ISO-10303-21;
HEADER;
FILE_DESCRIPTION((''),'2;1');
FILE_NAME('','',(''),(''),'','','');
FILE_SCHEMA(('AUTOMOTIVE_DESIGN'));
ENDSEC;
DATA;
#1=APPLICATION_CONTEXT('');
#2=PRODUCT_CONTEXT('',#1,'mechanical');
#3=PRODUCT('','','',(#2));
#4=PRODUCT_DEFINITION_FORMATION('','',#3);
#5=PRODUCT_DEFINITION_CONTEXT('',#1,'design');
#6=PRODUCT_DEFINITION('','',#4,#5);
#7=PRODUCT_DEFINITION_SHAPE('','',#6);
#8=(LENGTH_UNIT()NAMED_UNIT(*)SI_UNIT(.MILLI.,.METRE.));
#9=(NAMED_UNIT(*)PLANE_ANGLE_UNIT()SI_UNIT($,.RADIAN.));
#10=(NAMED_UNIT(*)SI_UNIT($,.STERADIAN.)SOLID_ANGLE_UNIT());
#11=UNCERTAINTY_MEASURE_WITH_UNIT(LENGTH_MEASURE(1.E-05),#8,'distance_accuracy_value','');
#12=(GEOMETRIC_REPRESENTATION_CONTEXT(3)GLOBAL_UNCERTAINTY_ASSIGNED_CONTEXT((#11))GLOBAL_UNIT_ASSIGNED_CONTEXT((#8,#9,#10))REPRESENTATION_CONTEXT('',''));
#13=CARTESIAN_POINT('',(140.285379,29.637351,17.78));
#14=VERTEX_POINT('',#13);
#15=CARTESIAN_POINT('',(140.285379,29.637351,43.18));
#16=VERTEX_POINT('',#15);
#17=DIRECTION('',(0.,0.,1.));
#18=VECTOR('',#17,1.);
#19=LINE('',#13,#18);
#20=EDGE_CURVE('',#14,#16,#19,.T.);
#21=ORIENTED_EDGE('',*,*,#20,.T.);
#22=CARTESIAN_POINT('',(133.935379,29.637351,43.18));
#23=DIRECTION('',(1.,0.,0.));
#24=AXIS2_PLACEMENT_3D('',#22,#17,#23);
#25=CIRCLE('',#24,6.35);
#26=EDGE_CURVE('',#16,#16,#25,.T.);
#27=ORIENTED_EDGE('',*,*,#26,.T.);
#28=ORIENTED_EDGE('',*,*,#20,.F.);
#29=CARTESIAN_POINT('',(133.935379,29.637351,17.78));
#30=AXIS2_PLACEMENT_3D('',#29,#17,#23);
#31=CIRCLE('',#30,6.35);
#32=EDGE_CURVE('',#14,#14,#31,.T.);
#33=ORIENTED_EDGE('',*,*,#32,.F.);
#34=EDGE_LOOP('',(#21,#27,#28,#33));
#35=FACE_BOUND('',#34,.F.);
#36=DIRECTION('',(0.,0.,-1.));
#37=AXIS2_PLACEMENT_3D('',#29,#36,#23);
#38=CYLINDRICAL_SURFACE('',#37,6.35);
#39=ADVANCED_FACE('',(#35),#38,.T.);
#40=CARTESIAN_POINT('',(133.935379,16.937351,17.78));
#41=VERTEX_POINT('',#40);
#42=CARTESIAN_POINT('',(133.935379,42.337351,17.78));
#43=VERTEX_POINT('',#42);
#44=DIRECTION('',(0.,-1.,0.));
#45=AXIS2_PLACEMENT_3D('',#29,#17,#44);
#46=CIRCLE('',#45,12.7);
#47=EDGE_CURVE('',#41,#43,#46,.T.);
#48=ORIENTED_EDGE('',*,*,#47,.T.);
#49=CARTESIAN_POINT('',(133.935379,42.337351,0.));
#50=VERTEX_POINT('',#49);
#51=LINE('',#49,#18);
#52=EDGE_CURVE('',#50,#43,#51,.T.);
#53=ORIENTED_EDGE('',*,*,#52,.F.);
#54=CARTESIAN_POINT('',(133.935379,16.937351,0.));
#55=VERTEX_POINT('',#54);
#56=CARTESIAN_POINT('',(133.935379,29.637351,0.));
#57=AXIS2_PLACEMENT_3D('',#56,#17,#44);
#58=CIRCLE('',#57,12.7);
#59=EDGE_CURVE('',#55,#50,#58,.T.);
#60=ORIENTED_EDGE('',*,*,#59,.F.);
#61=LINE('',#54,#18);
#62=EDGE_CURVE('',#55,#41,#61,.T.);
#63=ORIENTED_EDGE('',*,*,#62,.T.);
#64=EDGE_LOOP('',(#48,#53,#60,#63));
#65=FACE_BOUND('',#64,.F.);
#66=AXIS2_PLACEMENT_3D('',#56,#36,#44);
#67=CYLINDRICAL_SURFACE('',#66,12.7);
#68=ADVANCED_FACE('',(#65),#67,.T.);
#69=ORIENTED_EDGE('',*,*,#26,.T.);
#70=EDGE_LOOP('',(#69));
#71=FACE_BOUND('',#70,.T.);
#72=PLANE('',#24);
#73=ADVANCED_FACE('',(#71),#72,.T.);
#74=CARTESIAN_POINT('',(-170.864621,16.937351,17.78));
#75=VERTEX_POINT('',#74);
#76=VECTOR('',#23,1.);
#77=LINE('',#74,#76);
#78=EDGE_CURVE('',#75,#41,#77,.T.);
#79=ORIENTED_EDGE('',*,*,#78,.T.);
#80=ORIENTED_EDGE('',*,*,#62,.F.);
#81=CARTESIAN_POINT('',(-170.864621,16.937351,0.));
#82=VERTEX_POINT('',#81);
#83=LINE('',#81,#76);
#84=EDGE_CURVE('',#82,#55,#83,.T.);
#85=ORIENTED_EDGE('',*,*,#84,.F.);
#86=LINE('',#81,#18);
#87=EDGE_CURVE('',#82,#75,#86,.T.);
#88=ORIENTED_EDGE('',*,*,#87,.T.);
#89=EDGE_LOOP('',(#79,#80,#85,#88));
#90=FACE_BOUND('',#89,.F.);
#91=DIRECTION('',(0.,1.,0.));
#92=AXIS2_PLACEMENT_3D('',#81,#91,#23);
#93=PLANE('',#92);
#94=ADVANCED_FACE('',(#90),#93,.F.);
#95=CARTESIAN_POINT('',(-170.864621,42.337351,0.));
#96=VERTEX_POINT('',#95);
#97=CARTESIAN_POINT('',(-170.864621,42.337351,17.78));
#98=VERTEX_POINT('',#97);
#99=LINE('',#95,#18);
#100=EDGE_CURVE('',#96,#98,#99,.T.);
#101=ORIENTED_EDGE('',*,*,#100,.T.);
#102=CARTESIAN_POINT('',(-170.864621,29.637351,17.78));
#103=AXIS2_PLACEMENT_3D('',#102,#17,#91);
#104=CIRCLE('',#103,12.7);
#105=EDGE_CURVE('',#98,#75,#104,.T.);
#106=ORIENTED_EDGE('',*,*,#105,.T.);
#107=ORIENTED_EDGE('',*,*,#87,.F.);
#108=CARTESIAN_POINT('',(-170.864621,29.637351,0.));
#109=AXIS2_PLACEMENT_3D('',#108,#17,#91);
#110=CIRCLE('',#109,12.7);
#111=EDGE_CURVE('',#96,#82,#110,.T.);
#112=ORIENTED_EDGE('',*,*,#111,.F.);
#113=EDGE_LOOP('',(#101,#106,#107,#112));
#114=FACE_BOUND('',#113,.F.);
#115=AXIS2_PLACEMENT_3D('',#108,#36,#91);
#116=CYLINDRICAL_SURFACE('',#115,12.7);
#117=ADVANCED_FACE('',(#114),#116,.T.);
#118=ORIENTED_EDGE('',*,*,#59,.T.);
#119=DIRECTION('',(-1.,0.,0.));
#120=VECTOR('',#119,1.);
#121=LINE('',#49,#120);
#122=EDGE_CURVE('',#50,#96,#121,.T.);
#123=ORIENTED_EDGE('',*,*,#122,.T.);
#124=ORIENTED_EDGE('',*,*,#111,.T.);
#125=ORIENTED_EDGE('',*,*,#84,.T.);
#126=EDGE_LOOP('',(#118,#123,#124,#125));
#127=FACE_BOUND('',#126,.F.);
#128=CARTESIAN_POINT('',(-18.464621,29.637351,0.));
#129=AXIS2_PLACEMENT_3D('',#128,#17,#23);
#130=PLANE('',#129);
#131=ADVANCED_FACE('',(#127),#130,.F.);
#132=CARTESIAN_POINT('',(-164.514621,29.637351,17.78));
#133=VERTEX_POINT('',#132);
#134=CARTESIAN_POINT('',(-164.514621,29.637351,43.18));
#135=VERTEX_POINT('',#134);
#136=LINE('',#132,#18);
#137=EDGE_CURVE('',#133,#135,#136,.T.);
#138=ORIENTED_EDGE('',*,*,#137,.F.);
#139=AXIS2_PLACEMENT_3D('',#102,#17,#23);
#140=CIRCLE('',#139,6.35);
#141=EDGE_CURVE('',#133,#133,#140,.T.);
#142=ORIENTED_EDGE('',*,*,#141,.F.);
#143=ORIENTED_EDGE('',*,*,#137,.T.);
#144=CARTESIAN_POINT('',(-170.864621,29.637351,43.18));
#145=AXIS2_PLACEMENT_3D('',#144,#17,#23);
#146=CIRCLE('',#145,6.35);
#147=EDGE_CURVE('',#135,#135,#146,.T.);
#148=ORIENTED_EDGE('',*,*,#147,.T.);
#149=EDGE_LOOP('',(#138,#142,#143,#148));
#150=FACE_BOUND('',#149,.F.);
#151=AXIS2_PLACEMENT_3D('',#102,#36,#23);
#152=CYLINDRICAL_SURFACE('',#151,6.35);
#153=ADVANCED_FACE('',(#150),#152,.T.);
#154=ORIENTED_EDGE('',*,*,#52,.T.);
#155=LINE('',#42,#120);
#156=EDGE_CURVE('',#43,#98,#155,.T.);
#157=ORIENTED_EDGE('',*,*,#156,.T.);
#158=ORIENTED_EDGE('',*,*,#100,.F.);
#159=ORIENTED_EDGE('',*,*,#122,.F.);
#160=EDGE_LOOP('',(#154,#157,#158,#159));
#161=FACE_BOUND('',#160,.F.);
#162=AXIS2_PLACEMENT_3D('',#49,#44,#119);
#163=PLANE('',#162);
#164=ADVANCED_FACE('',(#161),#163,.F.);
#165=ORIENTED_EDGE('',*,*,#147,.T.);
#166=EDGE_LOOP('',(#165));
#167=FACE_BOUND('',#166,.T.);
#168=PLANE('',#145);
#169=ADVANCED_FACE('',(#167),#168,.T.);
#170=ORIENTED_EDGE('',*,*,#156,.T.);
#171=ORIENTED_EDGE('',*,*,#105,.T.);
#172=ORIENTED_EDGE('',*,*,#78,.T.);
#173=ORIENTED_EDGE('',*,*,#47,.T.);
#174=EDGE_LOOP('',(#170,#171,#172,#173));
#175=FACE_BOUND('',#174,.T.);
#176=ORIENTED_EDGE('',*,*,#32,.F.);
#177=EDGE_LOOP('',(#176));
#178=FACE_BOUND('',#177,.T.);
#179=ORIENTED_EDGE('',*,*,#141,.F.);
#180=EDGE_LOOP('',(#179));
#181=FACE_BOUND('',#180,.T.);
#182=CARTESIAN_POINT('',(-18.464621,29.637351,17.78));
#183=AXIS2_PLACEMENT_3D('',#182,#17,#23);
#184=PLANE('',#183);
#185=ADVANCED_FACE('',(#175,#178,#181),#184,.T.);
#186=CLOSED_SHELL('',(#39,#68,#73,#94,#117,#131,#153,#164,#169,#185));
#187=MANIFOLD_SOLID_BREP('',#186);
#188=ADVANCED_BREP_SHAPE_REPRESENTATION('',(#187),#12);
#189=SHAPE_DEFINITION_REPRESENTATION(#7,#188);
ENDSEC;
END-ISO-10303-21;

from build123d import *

# Parameters (mm, degrees)
F1_DEPTH = 17.78
F2_R     = 6.35
F3_DEPTH = 25.4


with BuildPart() as f1:
    # F0 (on Top) → F1 (new body)
    with BuildSketch(Plane.XY):
        with BuildLine():
            Line((133.935379, 42.337351), (-170.864621, 42.337351))
            ThreePointArc((-170.864621, 42.337351), (-183.564621, 29.637351), (-170.864621, 16.937351))
            Line((-170.864621, 16.937351), (133.935379, 16.937351))
            ThreePointArc((133.935379, 16.937351), (146.635379, 29.637351), (133.935379, 42.337351))
        make_face()
    extrude(amount=F1_DEPTH)

    # F2 (on face) → F3 (join)
    with BuildSketch(Plane.XY.offset(17.78)):
        with Locations((133.935379, 29.637351)):
            Circle(F2_R)
        with Locations((-170.864621, 29.637351)):
            Circle(F2_R)
    extrude(amount=F3_DEPTH)


solid = f1.part
